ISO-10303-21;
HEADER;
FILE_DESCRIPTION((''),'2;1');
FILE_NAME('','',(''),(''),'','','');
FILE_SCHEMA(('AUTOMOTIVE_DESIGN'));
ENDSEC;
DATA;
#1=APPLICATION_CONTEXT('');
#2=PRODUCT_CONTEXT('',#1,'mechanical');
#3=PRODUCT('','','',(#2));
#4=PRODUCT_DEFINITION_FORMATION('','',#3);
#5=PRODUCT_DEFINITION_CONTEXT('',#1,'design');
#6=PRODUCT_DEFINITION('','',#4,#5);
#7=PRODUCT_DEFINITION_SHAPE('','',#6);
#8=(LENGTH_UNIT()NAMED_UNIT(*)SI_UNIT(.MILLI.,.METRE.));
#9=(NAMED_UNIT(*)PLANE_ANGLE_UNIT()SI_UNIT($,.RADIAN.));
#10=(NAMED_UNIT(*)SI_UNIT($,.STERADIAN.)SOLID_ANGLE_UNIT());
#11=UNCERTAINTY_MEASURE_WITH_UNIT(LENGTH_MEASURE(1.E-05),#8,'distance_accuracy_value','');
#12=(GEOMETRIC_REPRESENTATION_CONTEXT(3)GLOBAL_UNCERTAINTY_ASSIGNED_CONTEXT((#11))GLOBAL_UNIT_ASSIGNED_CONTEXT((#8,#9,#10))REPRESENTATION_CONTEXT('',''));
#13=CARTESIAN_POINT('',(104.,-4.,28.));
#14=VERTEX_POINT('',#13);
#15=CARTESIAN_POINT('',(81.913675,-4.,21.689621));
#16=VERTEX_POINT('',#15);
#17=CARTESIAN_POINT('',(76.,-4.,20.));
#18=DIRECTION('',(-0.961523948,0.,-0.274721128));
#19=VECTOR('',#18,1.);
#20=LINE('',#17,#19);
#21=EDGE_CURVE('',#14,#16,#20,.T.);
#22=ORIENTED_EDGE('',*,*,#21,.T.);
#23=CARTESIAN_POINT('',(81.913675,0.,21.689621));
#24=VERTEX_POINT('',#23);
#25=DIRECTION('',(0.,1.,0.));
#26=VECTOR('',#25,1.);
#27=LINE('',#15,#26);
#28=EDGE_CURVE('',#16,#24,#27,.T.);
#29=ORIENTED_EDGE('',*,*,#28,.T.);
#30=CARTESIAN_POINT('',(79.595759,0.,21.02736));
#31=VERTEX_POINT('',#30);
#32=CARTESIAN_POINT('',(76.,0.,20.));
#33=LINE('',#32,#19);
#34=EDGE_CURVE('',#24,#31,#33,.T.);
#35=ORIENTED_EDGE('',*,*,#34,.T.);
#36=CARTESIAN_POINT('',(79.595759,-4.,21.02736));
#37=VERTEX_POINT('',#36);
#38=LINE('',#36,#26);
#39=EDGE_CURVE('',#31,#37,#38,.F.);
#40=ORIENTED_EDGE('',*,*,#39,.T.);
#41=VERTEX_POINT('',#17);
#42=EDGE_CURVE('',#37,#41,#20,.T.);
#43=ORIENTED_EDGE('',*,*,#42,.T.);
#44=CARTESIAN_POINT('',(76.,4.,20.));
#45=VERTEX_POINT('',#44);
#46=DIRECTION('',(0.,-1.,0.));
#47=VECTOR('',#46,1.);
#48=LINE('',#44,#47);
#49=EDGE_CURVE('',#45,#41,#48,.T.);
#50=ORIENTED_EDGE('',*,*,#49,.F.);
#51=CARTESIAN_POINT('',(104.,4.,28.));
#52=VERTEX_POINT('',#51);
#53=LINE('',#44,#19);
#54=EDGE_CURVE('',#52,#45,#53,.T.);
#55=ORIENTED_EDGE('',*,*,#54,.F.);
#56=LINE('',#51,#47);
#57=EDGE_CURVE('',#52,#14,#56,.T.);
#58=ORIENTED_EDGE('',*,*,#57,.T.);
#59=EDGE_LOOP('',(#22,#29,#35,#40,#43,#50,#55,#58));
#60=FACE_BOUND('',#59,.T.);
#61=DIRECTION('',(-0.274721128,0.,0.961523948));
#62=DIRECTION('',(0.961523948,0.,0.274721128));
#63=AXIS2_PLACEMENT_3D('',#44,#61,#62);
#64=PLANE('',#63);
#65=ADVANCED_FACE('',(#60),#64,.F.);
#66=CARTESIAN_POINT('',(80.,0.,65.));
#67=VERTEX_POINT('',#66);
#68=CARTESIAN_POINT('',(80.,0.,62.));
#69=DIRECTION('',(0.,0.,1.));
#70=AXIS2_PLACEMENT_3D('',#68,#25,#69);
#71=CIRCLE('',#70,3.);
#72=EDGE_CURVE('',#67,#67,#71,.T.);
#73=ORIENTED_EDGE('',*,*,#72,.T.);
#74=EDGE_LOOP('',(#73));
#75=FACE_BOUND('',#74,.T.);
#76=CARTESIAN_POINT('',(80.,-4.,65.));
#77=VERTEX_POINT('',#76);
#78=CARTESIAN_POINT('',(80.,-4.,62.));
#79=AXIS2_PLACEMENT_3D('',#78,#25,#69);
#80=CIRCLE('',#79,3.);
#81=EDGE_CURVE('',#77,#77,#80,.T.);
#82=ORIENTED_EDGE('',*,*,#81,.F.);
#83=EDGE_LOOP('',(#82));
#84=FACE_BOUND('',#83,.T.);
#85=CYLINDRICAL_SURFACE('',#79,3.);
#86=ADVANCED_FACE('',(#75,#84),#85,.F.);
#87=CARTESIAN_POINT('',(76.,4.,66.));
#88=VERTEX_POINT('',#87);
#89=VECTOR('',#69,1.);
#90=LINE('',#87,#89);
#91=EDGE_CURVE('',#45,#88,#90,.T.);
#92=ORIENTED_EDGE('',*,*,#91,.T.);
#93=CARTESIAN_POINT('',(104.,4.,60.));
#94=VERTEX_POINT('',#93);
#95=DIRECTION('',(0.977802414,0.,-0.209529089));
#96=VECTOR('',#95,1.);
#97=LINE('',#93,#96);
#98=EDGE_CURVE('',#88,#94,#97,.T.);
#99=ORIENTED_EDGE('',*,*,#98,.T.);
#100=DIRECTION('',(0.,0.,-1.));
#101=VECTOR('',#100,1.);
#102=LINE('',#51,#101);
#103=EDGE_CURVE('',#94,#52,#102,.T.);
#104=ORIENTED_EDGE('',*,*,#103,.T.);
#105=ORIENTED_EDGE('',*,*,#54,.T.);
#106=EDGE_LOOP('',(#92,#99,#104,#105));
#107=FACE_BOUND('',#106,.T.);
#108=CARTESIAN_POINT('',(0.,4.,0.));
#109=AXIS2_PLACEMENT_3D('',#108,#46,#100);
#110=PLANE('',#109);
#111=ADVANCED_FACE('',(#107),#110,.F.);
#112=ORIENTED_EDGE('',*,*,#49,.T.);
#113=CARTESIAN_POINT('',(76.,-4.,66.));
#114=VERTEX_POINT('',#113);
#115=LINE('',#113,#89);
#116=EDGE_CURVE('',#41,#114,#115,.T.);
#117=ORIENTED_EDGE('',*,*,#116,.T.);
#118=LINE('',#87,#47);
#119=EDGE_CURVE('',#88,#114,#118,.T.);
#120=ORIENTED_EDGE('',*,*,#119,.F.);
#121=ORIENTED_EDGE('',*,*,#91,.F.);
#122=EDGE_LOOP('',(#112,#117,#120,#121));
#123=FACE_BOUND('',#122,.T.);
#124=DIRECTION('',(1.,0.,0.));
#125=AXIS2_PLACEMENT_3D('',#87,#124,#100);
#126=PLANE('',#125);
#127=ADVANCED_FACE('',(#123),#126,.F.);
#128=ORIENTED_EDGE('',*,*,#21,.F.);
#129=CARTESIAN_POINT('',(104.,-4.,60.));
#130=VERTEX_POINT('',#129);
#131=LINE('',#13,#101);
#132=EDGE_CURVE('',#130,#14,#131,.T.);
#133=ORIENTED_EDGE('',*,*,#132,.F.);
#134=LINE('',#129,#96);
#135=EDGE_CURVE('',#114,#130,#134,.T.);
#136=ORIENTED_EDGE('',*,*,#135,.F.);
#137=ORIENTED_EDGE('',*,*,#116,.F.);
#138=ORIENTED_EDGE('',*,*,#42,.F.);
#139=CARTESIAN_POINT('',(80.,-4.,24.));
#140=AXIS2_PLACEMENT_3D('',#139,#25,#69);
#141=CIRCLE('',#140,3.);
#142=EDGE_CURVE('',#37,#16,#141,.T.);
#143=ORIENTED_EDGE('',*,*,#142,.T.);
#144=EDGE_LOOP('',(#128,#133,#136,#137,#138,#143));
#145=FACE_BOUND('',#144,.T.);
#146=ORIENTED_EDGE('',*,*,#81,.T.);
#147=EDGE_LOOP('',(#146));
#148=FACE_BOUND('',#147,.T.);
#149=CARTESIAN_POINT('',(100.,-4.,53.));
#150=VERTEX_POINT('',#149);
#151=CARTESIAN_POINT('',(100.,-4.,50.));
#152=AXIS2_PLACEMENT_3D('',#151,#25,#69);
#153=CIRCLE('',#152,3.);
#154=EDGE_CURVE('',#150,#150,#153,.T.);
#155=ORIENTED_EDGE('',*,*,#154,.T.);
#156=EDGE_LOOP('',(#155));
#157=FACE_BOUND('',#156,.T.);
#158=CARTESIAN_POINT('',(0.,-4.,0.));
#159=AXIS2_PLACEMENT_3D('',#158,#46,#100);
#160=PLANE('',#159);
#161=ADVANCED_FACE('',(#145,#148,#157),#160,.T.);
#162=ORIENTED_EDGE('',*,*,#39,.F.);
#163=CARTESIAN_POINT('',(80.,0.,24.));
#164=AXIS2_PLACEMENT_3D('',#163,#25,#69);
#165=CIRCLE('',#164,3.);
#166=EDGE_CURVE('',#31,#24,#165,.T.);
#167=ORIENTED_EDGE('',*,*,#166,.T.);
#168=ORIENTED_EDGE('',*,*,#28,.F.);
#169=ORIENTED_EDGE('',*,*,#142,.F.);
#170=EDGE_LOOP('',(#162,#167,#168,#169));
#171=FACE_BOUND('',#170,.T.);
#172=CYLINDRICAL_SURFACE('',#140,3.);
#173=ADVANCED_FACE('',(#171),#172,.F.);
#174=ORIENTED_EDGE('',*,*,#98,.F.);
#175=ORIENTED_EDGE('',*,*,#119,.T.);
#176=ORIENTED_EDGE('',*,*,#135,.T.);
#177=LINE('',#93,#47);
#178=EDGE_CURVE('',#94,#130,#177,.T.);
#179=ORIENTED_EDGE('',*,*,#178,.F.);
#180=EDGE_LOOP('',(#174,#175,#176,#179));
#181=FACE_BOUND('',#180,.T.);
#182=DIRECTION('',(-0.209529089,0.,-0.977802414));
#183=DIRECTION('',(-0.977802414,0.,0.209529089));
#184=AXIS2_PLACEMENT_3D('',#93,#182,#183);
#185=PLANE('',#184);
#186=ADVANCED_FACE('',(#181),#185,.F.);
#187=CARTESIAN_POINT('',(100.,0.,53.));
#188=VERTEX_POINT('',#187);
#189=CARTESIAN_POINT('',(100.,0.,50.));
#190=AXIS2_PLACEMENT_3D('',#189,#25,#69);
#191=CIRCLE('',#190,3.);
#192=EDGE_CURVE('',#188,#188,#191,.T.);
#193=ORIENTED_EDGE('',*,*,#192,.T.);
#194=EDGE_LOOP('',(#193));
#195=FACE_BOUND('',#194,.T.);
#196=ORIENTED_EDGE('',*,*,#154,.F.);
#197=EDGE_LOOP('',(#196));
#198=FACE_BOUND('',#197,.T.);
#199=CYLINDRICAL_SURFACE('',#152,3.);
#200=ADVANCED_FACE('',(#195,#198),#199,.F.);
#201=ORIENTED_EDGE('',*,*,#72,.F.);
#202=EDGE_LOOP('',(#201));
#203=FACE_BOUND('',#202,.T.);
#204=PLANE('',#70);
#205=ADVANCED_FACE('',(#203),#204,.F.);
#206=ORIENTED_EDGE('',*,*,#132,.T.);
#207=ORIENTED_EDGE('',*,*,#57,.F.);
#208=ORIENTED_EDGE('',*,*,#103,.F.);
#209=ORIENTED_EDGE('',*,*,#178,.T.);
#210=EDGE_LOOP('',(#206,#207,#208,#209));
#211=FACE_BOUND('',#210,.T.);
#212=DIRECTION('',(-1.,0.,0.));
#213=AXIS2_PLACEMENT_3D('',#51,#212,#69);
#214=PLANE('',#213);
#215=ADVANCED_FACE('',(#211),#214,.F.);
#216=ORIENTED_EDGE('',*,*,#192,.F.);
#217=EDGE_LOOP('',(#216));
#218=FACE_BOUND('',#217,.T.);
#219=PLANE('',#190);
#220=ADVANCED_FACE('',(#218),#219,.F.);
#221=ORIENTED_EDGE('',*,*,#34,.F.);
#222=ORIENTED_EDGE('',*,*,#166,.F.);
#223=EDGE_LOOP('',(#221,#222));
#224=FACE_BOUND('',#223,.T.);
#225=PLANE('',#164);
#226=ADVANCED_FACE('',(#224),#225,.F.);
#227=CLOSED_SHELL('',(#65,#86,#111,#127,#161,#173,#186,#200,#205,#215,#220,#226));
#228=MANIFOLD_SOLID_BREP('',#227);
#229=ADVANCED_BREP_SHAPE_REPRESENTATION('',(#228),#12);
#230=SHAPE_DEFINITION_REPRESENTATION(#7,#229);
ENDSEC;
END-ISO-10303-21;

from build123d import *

# Parameters (mm, degrees)
EXTRUDE_START       = -4
EXTRUDE_1_DEPTH     = 8
SKETCH_2_R          = 3
CUT_EXTRUDE_1_DEPTH = 124.239604024


with BuildPart() as part:
    # 草图1 → 凸台-拉伸1 (new body)
    with BuildSketch(Plane(origin=(0, 0, 0), x_dir=(1, 0, 0), z_dir=(0, 1, 0)).offset(EXTRUDE_START)):
        Polygon((76, -66), (76, -20), (104, -28), (104, -60), align=None)
    extrude(amount=EXTRUDE_1_DEPTH)

    # 草图2 → 切除-拉伸1 (cut, through all)
    with BuildSketch(Plane(origin=(0, 0, 0), x_dir=(1, 0, 0), z_dir=(0, 1, 0))):
        with Locations(Location((80, -62, 0), (0, 0, 270))):
            Circle(SKETCH_2_R)
        with Locations((80, -24)):
            Circle(SKETCH_2_R)
        with Locations(Location((100, -50, 0), (0, 0, 270))):
            Circle(SKETCH_2_R)
    extrude(amount=-CUT_EXTRUDE_1_DEPTH, mode=Mode.SUBTRACT)


solid = part.part
